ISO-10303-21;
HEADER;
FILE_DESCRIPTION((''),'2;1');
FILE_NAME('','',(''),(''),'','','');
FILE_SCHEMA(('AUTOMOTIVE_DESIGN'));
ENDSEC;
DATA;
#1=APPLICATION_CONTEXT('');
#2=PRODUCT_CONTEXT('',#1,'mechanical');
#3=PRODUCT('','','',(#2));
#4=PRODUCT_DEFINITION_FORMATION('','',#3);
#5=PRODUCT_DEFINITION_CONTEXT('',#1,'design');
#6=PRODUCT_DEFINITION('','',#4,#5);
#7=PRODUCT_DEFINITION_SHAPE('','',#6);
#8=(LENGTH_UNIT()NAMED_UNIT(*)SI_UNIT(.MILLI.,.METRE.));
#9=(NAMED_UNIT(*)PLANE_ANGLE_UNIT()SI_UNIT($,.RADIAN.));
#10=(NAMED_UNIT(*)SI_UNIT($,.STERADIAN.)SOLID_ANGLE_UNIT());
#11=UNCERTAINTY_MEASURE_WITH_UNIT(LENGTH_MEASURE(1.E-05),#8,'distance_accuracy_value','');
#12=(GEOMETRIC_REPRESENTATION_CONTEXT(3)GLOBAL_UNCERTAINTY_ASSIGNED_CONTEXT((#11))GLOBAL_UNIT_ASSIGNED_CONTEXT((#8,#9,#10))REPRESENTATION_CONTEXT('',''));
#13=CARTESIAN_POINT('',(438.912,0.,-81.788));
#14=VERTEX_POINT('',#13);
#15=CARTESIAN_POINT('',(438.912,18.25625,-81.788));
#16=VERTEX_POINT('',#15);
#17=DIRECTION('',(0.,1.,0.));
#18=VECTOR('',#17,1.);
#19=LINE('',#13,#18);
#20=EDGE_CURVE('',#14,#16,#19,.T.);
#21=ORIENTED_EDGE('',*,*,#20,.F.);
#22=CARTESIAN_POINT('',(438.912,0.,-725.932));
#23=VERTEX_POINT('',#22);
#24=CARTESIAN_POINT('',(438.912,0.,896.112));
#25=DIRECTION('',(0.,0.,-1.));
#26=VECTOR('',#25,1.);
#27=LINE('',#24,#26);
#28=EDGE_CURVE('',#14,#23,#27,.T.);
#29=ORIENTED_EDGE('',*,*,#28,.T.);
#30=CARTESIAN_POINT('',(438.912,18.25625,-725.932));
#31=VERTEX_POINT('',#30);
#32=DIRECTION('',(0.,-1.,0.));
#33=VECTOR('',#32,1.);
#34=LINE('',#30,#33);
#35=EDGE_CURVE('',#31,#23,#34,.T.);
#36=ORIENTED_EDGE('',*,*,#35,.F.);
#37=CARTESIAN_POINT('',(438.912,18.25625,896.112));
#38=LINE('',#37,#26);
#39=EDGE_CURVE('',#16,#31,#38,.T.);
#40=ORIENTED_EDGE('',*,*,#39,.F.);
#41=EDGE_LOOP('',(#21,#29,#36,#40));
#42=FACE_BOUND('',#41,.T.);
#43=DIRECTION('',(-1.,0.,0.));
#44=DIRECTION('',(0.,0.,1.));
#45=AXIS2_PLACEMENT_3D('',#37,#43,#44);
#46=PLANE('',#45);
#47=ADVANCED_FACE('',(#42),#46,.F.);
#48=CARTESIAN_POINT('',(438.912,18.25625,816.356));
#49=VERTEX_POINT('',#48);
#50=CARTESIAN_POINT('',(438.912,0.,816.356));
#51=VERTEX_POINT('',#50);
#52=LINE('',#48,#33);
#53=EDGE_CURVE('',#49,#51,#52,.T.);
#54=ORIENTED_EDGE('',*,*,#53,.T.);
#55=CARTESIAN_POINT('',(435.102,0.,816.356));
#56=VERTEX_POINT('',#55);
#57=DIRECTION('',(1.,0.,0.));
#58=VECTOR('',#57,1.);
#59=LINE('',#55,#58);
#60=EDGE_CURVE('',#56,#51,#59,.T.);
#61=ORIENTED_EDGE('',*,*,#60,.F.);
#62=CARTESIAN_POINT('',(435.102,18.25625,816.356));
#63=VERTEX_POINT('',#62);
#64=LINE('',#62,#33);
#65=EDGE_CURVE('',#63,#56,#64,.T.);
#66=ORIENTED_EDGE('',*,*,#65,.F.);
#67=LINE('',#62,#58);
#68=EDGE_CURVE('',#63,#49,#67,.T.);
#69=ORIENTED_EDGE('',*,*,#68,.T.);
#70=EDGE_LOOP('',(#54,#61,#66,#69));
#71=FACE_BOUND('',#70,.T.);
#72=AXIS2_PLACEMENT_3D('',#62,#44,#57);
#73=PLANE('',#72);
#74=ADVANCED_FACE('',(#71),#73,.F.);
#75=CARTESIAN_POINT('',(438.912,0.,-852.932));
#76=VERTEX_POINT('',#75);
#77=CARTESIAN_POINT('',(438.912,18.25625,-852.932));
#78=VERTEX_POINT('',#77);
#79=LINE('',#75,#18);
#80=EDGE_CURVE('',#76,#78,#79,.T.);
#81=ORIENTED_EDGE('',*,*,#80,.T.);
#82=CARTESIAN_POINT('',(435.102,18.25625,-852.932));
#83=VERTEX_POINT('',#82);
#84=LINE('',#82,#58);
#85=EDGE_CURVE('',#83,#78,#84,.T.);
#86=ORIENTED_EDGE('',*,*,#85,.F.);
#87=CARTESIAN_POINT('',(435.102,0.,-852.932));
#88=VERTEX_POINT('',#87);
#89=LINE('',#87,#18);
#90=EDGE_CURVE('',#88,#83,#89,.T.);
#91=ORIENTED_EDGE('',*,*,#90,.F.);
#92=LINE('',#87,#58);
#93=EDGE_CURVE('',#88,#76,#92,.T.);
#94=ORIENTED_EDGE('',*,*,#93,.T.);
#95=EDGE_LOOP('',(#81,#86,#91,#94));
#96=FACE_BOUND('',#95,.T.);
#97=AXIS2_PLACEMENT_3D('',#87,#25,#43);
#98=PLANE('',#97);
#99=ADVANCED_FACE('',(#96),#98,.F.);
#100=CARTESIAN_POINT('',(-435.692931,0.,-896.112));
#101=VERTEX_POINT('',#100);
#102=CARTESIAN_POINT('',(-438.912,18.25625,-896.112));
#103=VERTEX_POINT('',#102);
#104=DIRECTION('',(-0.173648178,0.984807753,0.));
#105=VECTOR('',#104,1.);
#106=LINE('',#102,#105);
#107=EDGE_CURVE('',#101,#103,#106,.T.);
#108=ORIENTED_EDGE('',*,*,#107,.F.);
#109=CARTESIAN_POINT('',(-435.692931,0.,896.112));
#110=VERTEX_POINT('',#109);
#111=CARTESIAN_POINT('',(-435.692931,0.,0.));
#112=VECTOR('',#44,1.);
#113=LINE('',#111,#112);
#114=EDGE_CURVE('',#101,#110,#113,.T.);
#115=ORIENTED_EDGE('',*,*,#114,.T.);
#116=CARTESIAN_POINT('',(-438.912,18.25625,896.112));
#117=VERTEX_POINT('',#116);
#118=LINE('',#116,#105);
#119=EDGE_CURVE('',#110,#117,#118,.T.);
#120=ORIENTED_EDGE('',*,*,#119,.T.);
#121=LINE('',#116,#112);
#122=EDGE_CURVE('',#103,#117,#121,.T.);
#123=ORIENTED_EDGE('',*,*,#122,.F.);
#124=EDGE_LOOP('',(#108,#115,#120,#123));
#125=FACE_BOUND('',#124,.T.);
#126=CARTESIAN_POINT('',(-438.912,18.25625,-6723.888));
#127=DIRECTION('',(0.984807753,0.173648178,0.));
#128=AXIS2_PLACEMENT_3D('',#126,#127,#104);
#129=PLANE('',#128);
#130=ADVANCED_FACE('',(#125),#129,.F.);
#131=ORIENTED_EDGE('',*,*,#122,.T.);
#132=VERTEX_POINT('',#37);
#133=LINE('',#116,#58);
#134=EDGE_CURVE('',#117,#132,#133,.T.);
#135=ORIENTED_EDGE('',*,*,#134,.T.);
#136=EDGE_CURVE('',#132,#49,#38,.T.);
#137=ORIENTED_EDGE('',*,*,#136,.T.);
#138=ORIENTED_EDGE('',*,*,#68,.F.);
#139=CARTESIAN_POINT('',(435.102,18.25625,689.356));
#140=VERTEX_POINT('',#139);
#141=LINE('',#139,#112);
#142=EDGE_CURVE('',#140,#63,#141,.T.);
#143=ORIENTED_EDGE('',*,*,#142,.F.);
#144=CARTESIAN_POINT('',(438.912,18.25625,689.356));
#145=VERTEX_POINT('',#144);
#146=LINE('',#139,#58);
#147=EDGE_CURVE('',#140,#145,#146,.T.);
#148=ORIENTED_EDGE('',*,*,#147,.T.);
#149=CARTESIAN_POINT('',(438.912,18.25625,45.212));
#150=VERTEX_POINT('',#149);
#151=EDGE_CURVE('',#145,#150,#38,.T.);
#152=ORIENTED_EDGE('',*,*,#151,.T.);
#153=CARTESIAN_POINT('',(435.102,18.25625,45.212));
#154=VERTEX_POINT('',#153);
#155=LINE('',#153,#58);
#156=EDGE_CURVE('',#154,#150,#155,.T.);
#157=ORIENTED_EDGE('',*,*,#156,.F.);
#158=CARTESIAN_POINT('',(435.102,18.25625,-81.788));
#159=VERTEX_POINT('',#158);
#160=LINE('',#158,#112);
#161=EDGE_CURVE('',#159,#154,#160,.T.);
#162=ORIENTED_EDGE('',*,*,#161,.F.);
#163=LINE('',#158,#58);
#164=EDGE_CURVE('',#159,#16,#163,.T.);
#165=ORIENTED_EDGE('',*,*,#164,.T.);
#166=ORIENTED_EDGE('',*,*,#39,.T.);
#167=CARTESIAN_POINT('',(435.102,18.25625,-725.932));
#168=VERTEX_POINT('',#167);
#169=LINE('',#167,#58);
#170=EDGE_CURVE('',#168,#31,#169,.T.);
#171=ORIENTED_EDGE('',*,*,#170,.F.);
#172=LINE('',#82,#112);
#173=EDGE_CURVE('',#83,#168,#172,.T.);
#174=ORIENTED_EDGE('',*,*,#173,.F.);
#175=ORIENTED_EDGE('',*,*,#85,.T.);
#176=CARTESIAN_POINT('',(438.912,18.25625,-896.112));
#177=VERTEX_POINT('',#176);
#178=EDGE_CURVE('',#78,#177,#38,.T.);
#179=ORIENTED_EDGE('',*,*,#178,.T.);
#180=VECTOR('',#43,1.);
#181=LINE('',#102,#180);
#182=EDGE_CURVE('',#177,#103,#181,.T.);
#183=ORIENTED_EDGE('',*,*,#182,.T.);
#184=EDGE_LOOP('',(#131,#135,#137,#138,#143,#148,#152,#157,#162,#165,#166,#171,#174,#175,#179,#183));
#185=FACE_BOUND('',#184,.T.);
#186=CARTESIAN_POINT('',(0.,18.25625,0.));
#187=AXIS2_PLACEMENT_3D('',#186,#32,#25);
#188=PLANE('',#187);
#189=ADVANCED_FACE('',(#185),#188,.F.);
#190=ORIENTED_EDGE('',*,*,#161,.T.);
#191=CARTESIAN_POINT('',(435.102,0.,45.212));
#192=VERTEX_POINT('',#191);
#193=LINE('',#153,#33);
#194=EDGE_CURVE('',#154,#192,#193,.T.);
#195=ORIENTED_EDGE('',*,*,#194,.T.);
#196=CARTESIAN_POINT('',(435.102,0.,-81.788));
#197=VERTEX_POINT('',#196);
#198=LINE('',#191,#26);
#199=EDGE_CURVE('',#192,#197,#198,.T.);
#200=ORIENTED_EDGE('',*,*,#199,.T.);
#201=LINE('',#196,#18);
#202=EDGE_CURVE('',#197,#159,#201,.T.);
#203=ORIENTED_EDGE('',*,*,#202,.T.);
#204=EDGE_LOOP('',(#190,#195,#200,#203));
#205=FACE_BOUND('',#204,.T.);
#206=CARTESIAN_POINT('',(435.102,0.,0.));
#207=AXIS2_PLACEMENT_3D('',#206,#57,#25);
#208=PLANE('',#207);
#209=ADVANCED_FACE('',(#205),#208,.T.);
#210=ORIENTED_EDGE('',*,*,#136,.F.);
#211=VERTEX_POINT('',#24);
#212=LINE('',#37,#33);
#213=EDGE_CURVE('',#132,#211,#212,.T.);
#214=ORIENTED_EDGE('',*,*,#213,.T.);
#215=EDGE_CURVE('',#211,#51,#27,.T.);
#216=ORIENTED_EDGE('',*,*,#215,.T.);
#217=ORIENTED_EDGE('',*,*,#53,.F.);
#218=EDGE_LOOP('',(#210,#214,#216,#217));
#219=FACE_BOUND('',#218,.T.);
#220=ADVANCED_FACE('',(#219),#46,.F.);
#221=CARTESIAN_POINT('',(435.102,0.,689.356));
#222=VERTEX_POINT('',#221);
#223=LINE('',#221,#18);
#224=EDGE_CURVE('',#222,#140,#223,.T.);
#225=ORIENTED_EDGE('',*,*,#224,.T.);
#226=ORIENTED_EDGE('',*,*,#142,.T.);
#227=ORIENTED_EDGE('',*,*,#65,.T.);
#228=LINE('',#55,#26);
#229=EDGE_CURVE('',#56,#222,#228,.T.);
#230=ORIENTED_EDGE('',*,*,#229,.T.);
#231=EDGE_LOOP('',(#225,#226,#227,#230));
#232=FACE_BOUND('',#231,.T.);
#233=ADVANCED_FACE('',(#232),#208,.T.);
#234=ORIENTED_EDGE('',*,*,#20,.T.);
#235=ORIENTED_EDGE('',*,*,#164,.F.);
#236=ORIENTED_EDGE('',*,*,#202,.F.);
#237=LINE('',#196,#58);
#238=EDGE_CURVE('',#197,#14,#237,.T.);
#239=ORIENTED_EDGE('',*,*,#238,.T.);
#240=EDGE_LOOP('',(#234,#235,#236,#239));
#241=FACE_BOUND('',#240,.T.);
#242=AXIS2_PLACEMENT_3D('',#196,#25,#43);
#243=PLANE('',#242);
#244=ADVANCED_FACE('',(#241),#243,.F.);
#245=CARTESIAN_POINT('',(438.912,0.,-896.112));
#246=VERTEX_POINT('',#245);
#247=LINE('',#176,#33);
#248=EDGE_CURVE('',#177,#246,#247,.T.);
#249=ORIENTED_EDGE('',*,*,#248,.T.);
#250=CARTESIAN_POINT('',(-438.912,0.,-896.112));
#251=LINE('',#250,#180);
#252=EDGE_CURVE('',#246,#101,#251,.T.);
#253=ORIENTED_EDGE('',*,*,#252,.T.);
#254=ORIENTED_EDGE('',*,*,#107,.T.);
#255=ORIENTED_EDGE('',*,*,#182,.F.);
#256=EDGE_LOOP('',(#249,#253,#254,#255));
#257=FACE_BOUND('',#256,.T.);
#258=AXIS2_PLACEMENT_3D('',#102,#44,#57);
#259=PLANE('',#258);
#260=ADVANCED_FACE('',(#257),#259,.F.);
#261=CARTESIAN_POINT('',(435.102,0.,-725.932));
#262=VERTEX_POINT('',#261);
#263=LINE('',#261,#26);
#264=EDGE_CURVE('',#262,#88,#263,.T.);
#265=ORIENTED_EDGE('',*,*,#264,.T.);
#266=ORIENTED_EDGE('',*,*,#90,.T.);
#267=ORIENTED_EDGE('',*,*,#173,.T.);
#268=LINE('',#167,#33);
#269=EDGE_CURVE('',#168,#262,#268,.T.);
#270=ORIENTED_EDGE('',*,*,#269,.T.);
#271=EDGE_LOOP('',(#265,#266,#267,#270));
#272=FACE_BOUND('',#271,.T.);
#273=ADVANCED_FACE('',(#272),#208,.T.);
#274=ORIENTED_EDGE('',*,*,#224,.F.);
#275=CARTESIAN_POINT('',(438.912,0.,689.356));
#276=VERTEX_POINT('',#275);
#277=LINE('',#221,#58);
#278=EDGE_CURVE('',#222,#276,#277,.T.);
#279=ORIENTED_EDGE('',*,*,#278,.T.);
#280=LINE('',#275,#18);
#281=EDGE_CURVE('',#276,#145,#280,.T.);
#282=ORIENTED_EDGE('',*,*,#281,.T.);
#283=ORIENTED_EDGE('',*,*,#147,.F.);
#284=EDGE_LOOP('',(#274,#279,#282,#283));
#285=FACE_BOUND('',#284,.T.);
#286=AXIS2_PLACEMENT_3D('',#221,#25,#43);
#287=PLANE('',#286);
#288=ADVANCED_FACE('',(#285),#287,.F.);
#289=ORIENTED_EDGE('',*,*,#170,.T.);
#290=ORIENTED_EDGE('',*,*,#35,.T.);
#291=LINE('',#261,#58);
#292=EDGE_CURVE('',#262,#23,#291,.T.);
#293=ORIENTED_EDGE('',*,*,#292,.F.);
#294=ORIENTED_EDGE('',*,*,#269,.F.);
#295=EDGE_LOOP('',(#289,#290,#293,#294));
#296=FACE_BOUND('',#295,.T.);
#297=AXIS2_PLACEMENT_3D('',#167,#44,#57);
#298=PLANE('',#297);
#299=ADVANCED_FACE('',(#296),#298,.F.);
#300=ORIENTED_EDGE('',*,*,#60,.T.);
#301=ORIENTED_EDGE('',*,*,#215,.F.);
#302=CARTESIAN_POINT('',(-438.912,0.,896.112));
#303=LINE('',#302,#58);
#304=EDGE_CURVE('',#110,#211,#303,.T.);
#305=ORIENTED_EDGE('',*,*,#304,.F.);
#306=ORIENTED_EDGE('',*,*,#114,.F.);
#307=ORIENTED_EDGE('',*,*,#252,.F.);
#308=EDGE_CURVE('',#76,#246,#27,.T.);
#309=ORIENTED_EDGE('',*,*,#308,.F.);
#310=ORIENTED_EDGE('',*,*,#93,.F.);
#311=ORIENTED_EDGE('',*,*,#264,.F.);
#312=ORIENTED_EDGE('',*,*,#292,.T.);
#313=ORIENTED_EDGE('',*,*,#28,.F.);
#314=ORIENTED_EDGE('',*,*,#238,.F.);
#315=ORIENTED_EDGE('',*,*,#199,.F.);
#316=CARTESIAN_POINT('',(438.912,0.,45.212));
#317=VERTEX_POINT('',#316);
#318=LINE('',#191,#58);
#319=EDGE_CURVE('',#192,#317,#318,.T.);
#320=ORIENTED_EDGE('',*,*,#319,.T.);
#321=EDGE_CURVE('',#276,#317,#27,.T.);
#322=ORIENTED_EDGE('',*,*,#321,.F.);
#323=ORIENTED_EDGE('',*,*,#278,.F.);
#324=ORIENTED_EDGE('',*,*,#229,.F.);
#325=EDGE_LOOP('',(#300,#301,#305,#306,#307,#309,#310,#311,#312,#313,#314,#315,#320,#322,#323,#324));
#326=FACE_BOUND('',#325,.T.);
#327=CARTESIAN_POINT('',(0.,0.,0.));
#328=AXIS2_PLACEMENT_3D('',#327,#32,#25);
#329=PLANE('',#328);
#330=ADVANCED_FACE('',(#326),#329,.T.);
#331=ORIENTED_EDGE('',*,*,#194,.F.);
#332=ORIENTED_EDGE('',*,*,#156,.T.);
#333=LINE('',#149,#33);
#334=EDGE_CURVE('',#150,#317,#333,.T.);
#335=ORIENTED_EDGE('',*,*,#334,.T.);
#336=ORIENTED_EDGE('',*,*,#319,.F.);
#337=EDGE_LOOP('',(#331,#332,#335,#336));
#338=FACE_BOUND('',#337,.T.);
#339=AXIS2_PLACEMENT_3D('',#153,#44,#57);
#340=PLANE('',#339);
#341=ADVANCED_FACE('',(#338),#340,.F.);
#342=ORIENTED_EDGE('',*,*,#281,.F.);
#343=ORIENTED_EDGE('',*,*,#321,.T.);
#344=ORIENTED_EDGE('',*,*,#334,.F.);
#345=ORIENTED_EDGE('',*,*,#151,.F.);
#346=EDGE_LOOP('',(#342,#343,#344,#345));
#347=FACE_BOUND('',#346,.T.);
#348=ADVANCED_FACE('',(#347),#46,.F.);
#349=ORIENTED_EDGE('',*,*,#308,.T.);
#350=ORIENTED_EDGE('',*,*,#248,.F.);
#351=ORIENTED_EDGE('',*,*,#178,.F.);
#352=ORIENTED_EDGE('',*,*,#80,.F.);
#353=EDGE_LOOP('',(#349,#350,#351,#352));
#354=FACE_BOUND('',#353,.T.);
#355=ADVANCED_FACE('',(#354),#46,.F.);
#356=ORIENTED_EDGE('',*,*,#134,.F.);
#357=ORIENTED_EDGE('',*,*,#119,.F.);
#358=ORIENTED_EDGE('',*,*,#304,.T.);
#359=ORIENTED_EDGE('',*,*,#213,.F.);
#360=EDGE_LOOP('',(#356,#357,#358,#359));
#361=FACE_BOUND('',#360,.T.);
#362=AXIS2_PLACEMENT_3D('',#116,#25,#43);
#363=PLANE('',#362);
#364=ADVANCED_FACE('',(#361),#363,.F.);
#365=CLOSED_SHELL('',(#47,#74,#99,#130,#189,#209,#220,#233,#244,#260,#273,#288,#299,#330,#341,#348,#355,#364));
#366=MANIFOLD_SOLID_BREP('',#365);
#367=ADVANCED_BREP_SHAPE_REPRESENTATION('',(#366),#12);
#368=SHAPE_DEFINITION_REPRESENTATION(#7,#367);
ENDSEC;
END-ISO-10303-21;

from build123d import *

# Parameters (mm, degrees)
SKETCH1_W           = 877.824
SKETCH1_H           = 1792.224
BOSS_EXTRUDE1_DEPTH = 18.25625
SKETCH2_W           = 127
SKETCH2_H           = 18.25625
CUT_EXTRUDE1_DEPTH  = 3.81
CUT_EXTRUDE2_DEPTH  = 7620


with BuildPart() as part:
    # Sketch1 → Boss-Extrude1 (new body)
    with BuildSketch(Plane(origin=(0, 0, 0), x_dir=(1, 0, 0), z_dir=(0, 1, 0))):
        Rectangle(SKETCH1_W, SKETCH1_H)
    extrude(amount=BOSS_EXTRUDE1_DEPTH)

    # Sketch2 → Cut-Extrude1 (cut)
    with BuildSketch(Plane(origin=(438.912, 0, 0), x_dir=(0, 0, -1), z_dir=(1, 0, 0))):
        with Locations((-752.856, 9.128125)):
            Rectangle(SKETCH2_W, SKETCH2_H)
        with Locations((18.288, 9.128125)):
            Rectangle(SKETCH2_W, SKETCH2_H)
        with Locations((789.432, 9.128125)):
            Rectangle(SKETCH2_W, SKETCH2_H)
    extrude(amount=-CUT_EXTRUDE1_DEPTH, mode=Mode.SUBTRACT)

    # Sketch3 → Cut-Extrude2 (cut)
    with BuildSketch(Plane(origin=(-438.912, 0, 896.112), x_dir=(1, 0, 0), z_dir=(0, 0, 1))):
        Polygon((0, 18.25625), (3.219069442, 0), (0, 0), align=None)
    extrude(amount=-CUT_EXTRUDE2_DEPTH, mode=Mode.SUBTRACT)


solid = part.part
